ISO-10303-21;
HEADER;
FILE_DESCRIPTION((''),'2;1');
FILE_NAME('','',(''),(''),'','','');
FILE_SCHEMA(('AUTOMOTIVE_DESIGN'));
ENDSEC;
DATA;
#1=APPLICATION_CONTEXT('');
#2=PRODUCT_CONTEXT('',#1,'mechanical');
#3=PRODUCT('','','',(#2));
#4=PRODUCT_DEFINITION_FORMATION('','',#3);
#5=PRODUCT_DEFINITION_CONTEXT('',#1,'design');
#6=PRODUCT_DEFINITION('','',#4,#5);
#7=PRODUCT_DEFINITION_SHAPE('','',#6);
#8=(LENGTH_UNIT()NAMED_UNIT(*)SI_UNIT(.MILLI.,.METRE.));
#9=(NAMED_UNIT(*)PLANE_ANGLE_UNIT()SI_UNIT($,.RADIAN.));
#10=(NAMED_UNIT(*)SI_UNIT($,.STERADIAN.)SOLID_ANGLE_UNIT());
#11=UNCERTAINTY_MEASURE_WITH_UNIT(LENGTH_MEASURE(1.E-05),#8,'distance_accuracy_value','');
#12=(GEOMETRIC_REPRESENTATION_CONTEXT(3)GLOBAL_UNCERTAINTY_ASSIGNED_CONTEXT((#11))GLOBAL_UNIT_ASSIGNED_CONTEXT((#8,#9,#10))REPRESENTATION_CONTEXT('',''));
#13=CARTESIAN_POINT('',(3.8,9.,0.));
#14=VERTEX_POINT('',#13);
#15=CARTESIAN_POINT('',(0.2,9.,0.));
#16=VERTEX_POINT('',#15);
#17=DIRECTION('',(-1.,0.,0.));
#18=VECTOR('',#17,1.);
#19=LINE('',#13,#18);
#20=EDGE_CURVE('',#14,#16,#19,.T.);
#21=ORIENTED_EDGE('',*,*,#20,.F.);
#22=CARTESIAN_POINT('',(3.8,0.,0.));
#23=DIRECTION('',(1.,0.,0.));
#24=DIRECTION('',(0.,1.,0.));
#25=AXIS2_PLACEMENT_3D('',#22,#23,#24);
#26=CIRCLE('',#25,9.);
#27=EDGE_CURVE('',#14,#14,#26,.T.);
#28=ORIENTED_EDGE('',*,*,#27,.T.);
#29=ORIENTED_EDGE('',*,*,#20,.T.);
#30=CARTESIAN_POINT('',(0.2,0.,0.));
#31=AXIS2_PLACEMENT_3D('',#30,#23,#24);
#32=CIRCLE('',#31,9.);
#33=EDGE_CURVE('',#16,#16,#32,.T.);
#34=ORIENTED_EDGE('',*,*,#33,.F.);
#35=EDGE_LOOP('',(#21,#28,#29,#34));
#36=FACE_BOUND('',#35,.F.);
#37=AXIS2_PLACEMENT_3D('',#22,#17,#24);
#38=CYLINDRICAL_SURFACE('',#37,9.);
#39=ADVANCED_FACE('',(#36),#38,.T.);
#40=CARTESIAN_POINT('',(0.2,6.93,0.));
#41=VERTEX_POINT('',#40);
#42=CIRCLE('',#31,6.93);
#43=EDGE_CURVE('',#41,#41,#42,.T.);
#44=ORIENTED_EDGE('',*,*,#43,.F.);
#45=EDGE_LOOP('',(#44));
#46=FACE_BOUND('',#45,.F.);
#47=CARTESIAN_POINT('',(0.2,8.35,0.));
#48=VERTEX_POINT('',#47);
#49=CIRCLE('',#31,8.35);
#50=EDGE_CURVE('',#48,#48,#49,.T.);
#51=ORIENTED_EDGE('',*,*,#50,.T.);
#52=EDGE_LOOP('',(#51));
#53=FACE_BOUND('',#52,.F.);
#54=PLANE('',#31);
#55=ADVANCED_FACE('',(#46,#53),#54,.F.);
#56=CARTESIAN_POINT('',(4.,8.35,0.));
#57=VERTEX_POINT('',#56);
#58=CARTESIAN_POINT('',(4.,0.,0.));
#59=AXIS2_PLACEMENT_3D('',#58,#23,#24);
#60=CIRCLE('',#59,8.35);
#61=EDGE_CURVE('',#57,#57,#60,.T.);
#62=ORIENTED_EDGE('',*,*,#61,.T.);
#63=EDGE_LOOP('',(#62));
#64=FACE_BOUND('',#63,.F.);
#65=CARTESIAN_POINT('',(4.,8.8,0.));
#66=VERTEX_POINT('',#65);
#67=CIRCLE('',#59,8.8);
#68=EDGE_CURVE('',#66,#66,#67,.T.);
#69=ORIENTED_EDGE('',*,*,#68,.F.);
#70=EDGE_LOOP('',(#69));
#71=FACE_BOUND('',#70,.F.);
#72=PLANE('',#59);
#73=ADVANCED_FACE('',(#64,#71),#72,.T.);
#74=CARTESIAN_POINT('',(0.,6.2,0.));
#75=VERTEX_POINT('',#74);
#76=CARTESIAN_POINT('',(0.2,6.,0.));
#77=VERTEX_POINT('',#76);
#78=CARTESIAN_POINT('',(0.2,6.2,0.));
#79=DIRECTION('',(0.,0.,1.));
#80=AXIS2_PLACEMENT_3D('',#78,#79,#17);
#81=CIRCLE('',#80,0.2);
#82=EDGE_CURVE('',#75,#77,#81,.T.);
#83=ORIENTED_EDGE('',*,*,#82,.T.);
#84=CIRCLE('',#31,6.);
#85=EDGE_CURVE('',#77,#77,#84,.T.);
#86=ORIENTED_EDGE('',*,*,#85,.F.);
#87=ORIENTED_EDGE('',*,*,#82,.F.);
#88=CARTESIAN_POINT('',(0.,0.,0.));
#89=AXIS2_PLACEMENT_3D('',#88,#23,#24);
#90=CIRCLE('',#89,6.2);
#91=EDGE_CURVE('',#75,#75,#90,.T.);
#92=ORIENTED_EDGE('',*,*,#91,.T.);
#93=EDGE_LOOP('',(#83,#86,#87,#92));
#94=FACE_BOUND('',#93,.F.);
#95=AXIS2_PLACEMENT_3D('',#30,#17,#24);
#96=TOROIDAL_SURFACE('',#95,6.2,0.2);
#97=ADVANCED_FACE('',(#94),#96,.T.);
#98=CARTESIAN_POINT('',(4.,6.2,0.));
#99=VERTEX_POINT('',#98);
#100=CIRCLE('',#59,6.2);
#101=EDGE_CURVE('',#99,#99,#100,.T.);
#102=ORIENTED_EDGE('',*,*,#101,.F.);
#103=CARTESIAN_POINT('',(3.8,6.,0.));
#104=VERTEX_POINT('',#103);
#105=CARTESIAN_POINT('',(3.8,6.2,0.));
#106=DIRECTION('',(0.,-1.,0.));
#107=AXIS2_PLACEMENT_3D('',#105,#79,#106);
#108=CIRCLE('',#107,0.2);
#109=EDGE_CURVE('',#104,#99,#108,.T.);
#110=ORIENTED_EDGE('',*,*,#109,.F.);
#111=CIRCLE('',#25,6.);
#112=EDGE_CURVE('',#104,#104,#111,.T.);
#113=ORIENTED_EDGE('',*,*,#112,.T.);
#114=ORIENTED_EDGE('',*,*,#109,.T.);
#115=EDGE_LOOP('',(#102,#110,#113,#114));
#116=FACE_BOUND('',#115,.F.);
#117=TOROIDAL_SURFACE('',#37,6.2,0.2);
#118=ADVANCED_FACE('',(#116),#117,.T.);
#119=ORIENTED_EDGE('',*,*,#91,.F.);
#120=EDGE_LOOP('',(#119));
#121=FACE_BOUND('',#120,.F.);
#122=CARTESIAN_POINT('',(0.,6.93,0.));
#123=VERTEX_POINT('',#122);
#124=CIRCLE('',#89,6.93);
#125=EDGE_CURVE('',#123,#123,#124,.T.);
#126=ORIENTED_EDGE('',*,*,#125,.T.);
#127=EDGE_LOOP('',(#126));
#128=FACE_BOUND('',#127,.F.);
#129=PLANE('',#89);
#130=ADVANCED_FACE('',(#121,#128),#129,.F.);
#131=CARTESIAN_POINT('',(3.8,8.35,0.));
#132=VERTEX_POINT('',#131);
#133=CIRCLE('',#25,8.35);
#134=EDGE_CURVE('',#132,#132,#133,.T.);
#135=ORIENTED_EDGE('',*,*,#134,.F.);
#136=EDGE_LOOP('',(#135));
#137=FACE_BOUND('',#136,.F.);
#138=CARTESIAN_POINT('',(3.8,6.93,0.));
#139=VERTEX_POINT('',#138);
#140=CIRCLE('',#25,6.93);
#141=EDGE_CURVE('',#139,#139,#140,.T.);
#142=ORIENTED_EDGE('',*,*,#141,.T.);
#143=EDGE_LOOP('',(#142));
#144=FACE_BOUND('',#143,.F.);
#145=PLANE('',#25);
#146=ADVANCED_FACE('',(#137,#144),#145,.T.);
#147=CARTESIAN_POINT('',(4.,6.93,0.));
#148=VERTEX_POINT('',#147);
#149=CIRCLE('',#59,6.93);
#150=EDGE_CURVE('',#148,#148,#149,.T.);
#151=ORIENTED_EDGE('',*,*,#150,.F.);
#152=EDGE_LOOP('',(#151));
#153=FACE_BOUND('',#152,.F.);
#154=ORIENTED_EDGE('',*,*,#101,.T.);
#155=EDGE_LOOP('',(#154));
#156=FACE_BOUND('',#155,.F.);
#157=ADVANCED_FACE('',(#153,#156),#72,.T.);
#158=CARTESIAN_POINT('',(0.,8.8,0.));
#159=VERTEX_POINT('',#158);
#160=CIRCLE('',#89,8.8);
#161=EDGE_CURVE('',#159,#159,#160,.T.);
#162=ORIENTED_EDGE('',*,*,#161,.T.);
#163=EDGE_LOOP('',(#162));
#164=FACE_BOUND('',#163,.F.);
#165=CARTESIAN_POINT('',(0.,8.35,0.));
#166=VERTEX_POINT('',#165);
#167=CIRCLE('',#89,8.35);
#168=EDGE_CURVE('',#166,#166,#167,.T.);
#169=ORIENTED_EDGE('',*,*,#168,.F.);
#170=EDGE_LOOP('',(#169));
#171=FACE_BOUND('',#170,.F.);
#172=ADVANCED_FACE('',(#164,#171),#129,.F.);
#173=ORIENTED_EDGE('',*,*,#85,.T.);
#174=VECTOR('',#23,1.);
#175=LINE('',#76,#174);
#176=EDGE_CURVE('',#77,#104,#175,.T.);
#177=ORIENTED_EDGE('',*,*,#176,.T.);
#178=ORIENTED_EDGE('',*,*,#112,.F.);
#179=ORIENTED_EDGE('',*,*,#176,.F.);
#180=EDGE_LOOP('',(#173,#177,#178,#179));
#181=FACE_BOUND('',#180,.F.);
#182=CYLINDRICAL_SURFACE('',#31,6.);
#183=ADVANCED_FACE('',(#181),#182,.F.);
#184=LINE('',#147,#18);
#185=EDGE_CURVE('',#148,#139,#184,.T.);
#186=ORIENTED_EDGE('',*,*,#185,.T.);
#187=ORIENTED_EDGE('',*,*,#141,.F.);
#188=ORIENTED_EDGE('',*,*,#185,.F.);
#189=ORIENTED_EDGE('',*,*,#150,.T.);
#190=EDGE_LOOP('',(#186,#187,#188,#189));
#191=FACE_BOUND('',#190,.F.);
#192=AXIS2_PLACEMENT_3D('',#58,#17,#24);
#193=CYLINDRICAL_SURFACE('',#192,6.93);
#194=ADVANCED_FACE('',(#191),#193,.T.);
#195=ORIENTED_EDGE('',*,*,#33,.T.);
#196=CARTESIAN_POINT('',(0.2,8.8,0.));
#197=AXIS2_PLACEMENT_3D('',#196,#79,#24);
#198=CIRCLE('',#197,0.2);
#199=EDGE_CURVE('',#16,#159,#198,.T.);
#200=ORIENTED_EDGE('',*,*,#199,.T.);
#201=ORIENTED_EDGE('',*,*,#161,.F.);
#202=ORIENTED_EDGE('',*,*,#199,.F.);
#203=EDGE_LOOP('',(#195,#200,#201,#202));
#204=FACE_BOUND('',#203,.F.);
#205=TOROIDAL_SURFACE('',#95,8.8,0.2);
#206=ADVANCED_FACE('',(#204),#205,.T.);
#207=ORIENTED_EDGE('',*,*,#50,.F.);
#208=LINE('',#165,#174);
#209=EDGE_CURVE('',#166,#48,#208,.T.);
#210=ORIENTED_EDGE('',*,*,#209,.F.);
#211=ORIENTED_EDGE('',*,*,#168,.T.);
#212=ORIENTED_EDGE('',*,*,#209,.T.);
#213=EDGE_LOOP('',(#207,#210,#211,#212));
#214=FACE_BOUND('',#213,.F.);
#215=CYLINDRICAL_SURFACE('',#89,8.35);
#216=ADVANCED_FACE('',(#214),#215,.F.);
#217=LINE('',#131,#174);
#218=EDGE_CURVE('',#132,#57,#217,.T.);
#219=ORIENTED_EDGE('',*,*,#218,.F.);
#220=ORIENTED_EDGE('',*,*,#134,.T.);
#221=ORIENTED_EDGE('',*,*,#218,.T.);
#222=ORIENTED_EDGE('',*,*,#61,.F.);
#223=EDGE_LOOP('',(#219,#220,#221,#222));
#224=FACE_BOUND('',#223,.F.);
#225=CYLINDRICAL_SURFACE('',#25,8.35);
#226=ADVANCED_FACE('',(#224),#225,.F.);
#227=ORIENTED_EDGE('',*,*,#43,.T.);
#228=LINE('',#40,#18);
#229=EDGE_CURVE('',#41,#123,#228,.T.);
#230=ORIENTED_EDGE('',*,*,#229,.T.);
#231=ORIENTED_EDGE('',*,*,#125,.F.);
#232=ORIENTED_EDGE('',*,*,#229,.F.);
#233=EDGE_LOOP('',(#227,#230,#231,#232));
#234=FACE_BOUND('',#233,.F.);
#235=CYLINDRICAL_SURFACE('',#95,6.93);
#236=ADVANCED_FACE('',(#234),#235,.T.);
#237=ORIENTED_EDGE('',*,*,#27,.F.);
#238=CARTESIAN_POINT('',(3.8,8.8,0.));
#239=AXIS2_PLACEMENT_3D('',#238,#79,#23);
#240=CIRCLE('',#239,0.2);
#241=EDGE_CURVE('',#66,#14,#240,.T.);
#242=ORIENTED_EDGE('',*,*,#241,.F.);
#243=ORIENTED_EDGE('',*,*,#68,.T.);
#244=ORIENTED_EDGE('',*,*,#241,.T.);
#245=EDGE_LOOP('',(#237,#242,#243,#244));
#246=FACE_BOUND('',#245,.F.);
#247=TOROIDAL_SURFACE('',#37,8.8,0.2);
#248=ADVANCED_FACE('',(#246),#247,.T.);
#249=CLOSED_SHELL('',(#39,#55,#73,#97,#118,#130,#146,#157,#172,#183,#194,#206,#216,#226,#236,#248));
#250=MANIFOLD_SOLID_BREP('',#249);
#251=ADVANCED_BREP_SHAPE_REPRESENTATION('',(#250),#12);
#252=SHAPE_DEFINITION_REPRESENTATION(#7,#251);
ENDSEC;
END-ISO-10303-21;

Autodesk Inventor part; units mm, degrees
sketch "Sketch_1" plane through (0, 0, 0) normal (0, 0, 1) x (1, 0, 0)
  line L0 (4, 0) -> (0, 0)
  arc A0 (0, 6.2) -> (0.2, 6) centre (0.2, 6.2) ccw
  line L1 (0.2, 6) -> (3.8, 6)
  arc A1 (3.8, 6) -> (4, 6.2) centre (3.8, 6.2) ccw
  line L2 (4, 6.2) -> (4, 6.93)
  line L3 (4, 6.93) -> (3.8, 6.93)
  line L4 (3.8, 6.93) -> (3.8, 8.35)
  line L5 (3.8, 8.35) -> (4, 8.35)
  line L6 (4, 8.35) -> (4, 8.8)
  arc A2 (4, 8.8) -> (3.8, 9) centre (3.8, 8.8) ccw
  line L7 (3.8, 9) -> (0.2, 9)
  arc A3 (0.2, 9) -> (0, 8.8) centre (0.2, 8.8) ccw
  line L8 (0, 8.8) -> (0, 8.35)
  line L9 (0, 8.35) -> (0.2, 8.35)
  line L10 (0.2, 8.35) -> (0.2, 6.93)
  line L11 (0.2, 6.93) -> (0, 6.93)
  line L12 (0, 6.93) -> (0, 6.2)
revolve "Revolution1" add sketch "Sketch_1" angle 360 about axis through (4, 0, 0) along (1, 0, 0)
ref_plane "center_point_XY" through (2, 0, 0) normal (1, 0, 0) x (0, 0, -1)
ref_plane "center_point_YZ" through (2, 0, 0) normal (0, 0, -1) x (0, 1, 0)
ref_plane "center_point_ZX" through (2, 0, 0) normal (0, 1, 0) x (1, 0, 0)
ref_plane "to_housing_XY" through (0, 0, 0) normal (1, 0, 0) x (0, 0, -1)
ref_plane "to_housing_YZ" through (0, 0, 0) normal (0, 0, -1) x (0, 1, 0)
ref_plane "to_housing_ZX" through (0, 0, 0) normal (0, 1, 0) x (1, 0, 0)
ref_plane "to_ring_XY" through (3.6, 0, 0) normal (1, 0, 0) x (0, 0, -1)
ref_plane "to_ring_YZ" through (3.6, 0, 0) normal (0, 0, -1) x (0, 1, 0)
ref_plane "to_ring_ZX" through (3.6, 0, 0) normal (0, 1, 0) x (1, 0, 0)
properties part number "B6701ZZ" material "鉄、鋳鉄"
